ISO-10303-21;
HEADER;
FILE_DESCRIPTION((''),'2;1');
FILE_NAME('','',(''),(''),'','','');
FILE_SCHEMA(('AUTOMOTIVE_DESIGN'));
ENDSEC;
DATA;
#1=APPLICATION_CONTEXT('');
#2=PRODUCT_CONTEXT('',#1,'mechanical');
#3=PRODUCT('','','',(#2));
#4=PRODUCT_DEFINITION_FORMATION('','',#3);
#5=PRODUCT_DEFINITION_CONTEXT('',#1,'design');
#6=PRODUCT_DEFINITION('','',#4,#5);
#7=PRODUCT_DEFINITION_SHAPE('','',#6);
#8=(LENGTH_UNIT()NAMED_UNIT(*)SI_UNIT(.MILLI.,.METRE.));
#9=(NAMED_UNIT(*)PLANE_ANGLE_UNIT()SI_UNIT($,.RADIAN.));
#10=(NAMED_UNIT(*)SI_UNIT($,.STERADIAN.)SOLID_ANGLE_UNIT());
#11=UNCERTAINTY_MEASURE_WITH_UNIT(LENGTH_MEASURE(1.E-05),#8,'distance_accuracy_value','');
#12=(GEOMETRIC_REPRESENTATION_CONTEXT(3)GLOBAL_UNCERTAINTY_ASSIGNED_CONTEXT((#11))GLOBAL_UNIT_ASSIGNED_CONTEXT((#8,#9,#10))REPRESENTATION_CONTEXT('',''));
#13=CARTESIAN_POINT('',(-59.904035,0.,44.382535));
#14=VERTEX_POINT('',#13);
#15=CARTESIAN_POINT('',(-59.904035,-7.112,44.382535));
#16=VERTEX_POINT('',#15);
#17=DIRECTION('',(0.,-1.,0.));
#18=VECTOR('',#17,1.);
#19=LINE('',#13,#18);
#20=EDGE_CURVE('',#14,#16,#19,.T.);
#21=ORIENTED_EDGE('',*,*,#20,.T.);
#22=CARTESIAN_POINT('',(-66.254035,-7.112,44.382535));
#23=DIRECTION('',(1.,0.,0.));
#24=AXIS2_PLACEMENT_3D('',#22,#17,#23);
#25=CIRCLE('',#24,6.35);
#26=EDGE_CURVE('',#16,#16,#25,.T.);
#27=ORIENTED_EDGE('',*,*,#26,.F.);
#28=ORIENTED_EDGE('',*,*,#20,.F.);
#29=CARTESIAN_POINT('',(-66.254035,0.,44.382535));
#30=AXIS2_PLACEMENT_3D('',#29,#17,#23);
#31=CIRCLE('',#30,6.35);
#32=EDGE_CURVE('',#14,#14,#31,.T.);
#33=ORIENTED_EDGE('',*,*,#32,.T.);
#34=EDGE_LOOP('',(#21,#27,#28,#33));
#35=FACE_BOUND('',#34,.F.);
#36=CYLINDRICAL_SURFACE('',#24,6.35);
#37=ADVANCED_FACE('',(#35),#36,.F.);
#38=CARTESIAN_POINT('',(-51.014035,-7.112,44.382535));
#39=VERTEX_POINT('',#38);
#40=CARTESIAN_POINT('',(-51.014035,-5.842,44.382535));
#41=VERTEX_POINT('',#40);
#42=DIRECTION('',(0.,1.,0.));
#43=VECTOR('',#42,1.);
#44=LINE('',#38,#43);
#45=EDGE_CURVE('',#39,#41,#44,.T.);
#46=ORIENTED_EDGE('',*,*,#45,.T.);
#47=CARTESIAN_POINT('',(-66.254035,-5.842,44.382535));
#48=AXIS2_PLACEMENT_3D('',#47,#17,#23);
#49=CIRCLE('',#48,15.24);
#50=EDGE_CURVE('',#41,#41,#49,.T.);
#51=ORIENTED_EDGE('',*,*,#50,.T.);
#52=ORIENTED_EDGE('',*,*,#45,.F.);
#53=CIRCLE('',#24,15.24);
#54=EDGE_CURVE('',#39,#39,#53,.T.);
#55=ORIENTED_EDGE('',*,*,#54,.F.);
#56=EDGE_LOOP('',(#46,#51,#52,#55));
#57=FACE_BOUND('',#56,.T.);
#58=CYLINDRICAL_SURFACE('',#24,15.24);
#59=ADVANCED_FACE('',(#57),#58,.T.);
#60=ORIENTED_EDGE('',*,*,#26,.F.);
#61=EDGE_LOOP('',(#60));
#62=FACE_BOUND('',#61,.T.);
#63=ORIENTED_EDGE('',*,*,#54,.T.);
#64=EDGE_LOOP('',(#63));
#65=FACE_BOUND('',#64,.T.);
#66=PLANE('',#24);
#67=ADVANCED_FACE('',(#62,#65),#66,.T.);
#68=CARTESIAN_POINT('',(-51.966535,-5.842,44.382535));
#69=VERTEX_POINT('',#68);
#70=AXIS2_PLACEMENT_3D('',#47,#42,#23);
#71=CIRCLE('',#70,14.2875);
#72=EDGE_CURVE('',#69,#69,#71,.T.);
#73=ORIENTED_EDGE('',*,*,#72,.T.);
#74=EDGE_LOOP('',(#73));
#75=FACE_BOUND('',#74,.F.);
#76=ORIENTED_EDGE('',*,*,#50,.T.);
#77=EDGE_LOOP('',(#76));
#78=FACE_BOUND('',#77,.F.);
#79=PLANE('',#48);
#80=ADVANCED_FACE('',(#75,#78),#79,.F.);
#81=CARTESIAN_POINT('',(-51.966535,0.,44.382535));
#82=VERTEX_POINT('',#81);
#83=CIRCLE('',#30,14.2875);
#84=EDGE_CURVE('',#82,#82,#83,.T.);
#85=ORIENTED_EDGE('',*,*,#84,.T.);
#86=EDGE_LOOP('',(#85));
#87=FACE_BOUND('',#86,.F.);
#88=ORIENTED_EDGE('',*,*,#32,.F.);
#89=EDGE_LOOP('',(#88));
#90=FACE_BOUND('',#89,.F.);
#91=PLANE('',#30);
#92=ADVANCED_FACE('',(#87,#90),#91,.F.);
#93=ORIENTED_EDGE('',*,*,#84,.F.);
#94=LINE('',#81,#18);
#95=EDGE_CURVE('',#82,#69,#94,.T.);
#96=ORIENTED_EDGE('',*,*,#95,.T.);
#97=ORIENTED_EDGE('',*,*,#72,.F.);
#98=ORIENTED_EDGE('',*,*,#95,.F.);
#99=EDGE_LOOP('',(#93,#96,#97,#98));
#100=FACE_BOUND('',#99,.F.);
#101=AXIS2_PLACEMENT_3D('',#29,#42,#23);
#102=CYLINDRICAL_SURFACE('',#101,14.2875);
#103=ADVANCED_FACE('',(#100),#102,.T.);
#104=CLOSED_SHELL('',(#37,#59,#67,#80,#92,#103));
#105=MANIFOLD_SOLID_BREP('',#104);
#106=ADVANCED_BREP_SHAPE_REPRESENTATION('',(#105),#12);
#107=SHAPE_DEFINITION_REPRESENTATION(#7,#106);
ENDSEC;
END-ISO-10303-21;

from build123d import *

# Parameters (mm, degrees)
F0_R     = 14.2875
F0_R_2   = 6.35
F1_DEPTH = 7.112
F2_R     = 15.24
F3_DEPTH = 1.27
F4_R     = 6.35
F5_DEPTH = 25.4


with BuildPart() as f1:
    # F0 (on Front) → F1 (new body)
    with BuildSketch(Plane.XZ):
        with Locations((-66.254035, 44.382535)):
            Circle(F0_R)
        with Locations((-66.254035, 44.382535)):
            Circle(F0_R_2, mode=Mode.SUBTRACT)
    extrude(amount=F1_DEPTH)

    # F2 (on face) → F3 (join)
    with BuildSketch(Plane.XZ.offset(7.112)):
        with Locations((-66.254035, 44.382535)):
            Circle(F2_R)
    extrude(amount=-F3_DEPTH)

    # F4 (on face) → F5 (cut)
    with BuildSketch(Plane.XZ.offset(7.112)):
        with Locations((-66.254035, 44.382535)):
            Circle(F4_R)
    extrude(amount=-F5_DEPTH, mode=Mode.SUBTRACT)


solid = f1.part
